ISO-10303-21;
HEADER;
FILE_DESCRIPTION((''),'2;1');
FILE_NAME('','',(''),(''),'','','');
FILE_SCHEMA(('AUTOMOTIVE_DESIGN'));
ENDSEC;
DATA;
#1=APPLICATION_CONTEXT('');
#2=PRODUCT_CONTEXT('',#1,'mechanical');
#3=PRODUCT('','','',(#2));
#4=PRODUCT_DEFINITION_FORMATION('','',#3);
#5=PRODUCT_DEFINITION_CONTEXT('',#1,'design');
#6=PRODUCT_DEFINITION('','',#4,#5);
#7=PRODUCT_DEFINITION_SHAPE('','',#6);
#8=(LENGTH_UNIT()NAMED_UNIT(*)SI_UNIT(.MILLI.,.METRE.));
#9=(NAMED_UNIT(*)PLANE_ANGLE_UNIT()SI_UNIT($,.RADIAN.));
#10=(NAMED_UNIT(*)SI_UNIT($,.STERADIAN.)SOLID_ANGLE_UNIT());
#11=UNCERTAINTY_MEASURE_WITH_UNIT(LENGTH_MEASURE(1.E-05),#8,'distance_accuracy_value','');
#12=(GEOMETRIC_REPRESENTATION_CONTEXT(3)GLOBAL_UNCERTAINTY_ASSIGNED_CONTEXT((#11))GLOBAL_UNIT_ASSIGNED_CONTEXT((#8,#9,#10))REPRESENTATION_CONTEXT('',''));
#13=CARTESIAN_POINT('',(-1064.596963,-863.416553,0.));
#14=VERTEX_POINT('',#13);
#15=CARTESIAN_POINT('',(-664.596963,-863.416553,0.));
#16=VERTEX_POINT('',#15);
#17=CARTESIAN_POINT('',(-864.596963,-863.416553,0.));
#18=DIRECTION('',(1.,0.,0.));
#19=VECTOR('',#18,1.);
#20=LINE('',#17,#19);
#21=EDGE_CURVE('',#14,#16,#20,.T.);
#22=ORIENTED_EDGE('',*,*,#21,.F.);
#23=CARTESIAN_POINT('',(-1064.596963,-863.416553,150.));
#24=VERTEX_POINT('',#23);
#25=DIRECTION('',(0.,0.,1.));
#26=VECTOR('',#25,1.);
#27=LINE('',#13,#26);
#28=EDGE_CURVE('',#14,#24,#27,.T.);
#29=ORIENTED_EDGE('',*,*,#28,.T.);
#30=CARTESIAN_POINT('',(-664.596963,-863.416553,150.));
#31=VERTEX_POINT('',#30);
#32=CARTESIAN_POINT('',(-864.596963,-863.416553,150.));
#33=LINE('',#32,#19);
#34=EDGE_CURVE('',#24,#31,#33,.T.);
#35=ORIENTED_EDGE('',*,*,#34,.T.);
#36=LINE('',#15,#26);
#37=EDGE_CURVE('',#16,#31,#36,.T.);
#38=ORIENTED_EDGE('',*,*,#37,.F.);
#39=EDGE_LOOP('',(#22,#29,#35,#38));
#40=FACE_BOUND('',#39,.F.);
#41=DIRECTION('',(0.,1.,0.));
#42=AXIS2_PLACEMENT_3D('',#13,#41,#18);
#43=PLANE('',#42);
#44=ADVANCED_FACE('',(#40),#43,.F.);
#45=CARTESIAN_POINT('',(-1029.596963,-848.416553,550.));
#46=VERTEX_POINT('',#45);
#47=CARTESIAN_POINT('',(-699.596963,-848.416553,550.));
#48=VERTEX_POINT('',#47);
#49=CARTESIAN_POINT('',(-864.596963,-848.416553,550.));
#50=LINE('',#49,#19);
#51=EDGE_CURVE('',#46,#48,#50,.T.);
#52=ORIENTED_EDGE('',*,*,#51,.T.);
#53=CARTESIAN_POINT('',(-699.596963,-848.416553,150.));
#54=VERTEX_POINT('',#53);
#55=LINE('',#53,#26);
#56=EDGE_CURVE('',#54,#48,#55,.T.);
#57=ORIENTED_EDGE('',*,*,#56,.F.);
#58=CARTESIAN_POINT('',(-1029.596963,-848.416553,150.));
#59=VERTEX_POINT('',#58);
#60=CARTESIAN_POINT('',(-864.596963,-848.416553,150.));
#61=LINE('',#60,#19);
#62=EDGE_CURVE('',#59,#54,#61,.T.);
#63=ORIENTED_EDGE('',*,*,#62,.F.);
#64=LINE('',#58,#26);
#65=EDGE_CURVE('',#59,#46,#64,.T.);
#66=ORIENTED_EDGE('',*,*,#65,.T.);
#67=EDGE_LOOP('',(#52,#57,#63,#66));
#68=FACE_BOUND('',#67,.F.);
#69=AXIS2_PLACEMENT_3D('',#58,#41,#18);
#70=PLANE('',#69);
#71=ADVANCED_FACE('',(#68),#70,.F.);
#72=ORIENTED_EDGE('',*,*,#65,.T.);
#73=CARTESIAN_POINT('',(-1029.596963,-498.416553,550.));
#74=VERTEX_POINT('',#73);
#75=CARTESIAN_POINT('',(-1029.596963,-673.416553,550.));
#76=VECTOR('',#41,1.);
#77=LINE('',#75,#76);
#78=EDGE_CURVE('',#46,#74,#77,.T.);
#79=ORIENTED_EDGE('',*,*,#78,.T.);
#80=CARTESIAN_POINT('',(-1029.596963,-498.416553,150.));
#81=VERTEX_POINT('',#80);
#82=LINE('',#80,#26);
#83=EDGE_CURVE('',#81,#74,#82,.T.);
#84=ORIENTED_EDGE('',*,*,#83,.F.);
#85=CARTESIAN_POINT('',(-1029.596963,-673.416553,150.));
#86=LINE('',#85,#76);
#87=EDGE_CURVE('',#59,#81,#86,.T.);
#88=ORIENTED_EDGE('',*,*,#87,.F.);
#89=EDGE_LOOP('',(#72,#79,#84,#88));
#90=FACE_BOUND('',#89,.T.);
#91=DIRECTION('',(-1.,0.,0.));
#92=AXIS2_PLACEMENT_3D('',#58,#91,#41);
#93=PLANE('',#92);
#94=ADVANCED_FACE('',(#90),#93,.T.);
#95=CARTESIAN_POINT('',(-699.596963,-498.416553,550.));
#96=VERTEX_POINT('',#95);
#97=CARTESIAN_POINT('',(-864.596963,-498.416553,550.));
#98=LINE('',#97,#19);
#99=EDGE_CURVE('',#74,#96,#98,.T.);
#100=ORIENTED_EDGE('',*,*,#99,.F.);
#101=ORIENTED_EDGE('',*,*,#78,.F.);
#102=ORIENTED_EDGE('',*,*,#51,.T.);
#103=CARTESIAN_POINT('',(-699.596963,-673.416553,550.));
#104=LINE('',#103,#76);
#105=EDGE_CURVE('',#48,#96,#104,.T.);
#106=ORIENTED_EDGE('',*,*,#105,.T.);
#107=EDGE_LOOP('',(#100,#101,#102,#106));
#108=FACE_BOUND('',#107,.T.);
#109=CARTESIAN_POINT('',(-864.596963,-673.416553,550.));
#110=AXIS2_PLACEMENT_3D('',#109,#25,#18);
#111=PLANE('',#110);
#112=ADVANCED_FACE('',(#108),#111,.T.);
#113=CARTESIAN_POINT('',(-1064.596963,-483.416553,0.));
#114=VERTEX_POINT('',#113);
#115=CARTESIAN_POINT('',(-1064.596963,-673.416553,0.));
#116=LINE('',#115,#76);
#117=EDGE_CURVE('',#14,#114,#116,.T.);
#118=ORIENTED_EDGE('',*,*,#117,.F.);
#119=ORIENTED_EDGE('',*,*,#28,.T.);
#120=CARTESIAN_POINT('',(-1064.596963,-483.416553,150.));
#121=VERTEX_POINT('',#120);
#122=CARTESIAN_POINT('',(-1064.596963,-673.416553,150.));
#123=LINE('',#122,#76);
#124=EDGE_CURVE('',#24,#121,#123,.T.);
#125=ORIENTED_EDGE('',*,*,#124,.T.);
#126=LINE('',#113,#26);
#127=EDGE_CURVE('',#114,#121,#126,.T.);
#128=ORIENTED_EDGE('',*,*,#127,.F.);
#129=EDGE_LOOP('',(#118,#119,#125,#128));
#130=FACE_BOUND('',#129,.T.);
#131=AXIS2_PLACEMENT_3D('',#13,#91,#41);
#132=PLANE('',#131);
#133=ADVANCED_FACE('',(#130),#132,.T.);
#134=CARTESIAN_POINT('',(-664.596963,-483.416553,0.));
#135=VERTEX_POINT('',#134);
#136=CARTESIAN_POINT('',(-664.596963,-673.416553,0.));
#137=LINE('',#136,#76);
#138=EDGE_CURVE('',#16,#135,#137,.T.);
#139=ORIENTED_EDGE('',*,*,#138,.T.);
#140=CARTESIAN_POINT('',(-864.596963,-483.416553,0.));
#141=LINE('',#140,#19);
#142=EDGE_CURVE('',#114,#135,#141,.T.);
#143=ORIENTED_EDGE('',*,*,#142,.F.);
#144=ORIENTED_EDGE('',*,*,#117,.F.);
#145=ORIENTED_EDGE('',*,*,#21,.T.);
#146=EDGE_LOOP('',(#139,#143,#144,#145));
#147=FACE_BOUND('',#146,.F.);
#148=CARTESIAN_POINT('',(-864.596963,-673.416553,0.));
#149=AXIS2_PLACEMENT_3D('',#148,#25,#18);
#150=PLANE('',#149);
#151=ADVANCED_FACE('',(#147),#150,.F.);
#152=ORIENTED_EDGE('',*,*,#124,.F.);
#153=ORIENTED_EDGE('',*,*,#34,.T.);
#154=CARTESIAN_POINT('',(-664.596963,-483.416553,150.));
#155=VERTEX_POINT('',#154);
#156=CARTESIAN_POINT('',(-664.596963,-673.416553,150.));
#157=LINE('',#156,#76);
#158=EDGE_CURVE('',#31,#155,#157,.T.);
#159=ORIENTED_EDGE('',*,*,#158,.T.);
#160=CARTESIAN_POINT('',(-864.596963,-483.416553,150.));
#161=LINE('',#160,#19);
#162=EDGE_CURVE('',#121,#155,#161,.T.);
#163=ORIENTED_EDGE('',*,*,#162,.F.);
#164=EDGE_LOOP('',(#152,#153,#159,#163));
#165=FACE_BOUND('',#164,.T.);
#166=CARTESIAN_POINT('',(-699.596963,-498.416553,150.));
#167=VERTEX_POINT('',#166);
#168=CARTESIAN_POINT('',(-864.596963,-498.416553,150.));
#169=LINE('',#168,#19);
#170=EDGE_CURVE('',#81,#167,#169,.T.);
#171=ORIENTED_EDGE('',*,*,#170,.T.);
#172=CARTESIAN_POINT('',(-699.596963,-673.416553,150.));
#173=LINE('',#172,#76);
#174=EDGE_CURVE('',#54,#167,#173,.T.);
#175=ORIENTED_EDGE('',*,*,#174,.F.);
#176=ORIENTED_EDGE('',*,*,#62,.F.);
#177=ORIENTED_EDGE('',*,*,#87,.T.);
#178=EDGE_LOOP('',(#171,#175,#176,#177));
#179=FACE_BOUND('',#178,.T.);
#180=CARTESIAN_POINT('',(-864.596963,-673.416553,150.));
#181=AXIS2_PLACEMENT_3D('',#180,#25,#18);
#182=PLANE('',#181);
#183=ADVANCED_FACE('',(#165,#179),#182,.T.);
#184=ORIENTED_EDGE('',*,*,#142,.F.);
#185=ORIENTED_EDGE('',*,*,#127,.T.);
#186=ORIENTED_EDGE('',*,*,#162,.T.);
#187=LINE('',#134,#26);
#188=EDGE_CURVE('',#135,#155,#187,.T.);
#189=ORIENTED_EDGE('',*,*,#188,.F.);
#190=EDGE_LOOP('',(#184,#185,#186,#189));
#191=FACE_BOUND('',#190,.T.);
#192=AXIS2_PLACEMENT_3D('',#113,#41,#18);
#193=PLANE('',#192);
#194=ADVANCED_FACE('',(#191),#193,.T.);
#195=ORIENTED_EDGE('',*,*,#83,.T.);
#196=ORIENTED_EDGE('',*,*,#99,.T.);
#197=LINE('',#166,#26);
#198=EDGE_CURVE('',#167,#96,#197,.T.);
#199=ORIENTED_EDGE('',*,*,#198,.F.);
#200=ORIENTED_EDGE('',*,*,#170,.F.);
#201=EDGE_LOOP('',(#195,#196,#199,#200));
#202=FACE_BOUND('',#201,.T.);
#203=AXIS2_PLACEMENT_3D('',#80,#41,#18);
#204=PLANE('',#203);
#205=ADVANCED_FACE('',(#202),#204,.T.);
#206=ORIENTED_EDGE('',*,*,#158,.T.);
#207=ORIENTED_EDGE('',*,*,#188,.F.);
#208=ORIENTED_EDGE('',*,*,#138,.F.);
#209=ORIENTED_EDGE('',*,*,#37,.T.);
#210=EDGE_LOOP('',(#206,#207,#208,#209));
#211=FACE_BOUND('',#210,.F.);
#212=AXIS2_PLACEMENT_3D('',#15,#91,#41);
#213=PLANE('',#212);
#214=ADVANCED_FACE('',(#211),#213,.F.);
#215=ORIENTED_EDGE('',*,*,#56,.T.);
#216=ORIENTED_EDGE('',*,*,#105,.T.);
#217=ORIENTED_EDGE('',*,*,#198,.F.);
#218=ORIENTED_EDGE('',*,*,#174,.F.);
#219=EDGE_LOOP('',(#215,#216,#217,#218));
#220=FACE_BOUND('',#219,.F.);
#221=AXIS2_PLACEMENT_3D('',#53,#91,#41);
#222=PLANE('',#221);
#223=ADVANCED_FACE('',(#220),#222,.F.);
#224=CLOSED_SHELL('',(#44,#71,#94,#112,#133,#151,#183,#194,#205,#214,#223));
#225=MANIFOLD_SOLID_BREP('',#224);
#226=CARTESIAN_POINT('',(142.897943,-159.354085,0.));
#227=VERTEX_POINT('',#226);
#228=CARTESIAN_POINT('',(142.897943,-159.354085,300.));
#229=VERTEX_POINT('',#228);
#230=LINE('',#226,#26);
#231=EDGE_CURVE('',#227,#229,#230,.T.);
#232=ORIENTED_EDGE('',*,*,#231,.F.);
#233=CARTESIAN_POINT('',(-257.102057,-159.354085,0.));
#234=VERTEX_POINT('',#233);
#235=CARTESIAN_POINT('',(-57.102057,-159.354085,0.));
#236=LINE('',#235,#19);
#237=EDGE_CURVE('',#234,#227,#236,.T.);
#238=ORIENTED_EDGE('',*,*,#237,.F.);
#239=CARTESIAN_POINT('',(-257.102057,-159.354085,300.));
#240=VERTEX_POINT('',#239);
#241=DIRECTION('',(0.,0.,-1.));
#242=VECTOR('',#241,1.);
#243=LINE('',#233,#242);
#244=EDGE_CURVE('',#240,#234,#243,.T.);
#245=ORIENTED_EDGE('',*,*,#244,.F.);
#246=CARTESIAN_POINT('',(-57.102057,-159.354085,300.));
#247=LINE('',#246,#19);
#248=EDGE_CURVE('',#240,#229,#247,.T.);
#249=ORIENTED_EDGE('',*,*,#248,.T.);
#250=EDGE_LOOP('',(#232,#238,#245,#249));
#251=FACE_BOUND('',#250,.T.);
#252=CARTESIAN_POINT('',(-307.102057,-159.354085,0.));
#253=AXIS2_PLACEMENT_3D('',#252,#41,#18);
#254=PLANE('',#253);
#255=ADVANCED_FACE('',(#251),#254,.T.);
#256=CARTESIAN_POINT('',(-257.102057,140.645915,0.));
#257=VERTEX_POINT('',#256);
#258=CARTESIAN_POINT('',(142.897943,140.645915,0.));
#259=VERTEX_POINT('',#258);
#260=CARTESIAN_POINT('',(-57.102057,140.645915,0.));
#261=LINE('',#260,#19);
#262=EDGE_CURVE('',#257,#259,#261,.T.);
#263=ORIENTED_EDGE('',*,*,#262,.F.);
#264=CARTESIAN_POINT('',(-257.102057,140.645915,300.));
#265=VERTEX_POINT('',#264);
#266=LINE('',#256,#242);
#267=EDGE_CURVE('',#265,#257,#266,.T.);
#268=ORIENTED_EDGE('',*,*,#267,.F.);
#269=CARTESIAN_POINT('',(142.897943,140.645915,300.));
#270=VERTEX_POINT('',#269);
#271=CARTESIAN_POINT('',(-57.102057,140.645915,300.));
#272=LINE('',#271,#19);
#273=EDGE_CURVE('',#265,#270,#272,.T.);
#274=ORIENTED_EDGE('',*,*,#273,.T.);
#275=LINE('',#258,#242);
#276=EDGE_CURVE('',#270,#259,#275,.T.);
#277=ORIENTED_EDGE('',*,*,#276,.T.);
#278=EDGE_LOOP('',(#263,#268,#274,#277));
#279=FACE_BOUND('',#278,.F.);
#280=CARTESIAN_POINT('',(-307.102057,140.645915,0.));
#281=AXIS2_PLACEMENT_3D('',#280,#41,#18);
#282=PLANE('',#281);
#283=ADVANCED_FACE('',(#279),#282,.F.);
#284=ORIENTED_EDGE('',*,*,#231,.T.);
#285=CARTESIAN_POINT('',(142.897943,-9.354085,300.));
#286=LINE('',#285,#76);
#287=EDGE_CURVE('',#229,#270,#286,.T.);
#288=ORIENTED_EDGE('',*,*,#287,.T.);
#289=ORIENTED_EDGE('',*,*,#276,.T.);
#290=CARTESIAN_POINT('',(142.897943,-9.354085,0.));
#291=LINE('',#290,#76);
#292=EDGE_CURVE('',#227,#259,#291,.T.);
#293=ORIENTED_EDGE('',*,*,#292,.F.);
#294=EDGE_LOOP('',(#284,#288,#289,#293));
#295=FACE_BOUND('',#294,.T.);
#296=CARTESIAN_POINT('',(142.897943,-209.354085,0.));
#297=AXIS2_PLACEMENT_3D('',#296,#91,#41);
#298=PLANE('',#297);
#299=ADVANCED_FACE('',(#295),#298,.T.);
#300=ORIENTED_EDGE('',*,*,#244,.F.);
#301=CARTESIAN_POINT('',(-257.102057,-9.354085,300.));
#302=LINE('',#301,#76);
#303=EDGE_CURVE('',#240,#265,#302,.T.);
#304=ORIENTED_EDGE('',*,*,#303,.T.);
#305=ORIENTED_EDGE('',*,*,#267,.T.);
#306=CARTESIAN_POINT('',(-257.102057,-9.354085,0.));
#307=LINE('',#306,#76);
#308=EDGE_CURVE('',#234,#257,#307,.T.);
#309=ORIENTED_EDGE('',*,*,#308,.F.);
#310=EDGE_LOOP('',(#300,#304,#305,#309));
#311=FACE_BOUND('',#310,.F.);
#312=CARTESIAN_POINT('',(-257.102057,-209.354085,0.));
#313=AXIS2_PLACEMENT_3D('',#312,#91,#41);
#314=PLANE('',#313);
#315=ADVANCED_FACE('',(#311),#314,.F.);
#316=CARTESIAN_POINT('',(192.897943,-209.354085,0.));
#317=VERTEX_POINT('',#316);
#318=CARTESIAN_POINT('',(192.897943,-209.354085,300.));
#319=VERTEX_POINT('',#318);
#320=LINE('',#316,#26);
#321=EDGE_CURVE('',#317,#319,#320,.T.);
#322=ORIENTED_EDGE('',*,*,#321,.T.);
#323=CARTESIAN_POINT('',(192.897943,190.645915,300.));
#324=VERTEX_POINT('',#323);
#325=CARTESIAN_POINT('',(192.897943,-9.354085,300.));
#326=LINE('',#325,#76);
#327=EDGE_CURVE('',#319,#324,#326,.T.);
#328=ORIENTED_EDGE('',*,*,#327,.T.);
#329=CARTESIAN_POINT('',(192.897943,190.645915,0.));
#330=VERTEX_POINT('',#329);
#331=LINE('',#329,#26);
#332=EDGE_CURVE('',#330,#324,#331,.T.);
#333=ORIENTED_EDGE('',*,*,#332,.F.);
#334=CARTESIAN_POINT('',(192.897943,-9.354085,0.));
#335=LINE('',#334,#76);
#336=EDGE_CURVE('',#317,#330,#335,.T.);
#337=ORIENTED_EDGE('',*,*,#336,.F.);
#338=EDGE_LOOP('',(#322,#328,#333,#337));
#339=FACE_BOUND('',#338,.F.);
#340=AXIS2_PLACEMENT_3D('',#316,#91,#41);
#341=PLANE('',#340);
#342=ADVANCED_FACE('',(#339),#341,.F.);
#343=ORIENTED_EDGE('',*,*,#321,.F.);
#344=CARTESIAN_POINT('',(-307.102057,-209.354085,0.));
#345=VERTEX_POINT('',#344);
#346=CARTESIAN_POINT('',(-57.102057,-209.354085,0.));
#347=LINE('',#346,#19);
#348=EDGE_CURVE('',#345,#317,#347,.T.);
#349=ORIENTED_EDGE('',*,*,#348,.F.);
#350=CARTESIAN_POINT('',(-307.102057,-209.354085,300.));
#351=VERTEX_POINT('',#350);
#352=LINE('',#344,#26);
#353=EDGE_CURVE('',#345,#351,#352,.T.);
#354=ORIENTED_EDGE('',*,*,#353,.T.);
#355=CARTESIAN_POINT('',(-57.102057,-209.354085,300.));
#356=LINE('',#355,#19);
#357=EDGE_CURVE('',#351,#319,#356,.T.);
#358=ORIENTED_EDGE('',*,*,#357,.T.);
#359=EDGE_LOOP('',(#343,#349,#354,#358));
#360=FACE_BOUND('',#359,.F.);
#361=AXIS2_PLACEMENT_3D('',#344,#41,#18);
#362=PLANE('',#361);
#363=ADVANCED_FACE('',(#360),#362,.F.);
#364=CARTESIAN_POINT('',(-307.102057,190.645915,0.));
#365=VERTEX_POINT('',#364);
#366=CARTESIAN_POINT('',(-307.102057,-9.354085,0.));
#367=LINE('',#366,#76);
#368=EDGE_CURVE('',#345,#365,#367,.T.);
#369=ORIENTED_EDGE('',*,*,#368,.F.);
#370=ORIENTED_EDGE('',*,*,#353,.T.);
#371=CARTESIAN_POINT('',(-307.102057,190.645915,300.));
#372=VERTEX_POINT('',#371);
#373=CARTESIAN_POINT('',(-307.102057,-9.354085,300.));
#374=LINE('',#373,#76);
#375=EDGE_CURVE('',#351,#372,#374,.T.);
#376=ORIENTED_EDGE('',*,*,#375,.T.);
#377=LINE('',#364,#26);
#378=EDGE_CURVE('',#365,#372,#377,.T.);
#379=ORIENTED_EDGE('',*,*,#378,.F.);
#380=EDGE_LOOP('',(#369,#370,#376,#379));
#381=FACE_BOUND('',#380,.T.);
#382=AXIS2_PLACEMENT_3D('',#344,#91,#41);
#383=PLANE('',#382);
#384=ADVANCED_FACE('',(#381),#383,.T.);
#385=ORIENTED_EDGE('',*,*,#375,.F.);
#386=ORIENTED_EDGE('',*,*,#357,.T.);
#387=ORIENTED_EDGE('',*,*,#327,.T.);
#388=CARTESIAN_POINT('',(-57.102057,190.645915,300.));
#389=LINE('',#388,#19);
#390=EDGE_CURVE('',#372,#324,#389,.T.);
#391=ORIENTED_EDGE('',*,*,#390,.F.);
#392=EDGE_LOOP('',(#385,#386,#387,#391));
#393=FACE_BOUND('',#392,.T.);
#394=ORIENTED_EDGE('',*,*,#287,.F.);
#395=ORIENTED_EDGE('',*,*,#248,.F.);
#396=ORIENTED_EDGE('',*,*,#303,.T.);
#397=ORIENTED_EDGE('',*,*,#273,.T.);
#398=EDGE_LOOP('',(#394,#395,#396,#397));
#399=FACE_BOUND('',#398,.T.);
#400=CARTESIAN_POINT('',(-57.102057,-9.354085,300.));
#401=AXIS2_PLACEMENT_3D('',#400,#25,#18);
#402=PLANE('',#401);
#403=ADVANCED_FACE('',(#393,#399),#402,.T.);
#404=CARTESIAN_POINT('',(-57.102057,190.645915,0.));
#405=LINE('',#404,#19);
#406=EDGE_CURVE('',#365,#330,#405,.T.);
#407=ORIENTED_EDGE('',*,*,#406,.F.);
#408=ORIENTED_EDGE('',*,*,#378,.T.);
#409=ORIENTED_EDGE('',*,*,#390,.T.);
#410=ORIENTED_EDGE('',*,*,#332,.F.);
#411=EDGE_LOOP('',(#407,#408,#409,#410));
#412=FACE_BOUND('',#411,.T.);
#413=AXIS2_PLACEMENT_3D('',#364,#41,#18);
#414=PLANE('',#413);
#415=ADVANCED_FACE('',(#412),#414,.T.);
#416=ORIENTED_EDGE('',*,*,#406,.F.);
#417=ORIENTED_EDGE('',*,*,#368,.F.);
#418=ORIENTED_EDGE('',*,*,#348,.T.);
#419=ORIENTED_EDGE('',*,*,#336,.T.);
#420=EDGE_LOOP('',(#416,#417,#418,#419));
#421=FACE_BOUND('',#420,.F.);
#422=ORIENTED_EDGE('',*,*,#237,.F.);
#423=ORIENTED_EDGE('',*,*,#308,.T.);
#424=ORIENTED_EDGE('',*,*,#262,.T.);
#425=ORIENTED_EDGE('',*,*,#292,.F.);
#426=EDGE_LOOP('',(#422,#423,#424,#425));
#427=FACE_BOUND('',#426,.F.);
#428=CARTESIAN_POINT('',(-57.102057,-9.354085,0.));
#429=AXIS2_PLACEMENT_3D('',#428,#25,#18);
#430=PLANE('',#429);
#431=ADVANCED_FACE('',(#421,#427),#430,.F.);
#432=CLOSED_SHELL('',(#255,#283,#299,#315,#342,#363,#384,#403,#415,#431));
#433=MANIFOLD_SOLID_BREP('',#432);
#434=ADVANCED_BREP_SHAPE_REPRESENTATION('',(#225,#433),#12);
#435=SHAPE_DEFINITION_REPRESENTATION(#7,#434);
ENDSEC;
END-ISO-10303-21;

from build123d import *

# Parameters (mm, degrees)
F0_W     = 500
F0_H     = 400
F1_DEPTH = 300
F2_T     = -50
F3_W     = 400
F3_H     = 380
F4_DEPTH = 150
F5_W     = 330
F5_H     = 350
F6_DEPTH = 400


with BuildPart() as f1:
    # F0 (on Top) → F1 (new body)
    with BuildSketch(Plane.XY):
        with Locations((-57.102057, -9.354085)):
            Rectangle(F0_W, F0_H)
    extrude(amount=F1_DEPTH)

    # F2
    f2_openings = [f1.faces().sort_by_distance(p)[0] for p in [
        (-57.102057, -9.354085, 0),
        (-57.102057, -9.354085, 300),
    ]]
    offset(amount=F2_T, openings=f2_openings)


with BuildPart() as f4:
    # F3 (on Top) → F4 (new body)
    with BuildSketch(Plane.XY):
        with Locations((-864.596963, -673.416553)):
            Rectangle(F3_W, F3_H)
    extrude(amount=F4_DEPTH)

    # F5 (on face) → F6 (join)
    with BuildSketch(Plane.XY.offset(150)):
        with Locations((-864.596963, -673.416553)):
            Rectangle(F5_W, F5_H)
    extrude(amount=F6_DEPTH)


solid = Compound([f1.part, f4.part])
